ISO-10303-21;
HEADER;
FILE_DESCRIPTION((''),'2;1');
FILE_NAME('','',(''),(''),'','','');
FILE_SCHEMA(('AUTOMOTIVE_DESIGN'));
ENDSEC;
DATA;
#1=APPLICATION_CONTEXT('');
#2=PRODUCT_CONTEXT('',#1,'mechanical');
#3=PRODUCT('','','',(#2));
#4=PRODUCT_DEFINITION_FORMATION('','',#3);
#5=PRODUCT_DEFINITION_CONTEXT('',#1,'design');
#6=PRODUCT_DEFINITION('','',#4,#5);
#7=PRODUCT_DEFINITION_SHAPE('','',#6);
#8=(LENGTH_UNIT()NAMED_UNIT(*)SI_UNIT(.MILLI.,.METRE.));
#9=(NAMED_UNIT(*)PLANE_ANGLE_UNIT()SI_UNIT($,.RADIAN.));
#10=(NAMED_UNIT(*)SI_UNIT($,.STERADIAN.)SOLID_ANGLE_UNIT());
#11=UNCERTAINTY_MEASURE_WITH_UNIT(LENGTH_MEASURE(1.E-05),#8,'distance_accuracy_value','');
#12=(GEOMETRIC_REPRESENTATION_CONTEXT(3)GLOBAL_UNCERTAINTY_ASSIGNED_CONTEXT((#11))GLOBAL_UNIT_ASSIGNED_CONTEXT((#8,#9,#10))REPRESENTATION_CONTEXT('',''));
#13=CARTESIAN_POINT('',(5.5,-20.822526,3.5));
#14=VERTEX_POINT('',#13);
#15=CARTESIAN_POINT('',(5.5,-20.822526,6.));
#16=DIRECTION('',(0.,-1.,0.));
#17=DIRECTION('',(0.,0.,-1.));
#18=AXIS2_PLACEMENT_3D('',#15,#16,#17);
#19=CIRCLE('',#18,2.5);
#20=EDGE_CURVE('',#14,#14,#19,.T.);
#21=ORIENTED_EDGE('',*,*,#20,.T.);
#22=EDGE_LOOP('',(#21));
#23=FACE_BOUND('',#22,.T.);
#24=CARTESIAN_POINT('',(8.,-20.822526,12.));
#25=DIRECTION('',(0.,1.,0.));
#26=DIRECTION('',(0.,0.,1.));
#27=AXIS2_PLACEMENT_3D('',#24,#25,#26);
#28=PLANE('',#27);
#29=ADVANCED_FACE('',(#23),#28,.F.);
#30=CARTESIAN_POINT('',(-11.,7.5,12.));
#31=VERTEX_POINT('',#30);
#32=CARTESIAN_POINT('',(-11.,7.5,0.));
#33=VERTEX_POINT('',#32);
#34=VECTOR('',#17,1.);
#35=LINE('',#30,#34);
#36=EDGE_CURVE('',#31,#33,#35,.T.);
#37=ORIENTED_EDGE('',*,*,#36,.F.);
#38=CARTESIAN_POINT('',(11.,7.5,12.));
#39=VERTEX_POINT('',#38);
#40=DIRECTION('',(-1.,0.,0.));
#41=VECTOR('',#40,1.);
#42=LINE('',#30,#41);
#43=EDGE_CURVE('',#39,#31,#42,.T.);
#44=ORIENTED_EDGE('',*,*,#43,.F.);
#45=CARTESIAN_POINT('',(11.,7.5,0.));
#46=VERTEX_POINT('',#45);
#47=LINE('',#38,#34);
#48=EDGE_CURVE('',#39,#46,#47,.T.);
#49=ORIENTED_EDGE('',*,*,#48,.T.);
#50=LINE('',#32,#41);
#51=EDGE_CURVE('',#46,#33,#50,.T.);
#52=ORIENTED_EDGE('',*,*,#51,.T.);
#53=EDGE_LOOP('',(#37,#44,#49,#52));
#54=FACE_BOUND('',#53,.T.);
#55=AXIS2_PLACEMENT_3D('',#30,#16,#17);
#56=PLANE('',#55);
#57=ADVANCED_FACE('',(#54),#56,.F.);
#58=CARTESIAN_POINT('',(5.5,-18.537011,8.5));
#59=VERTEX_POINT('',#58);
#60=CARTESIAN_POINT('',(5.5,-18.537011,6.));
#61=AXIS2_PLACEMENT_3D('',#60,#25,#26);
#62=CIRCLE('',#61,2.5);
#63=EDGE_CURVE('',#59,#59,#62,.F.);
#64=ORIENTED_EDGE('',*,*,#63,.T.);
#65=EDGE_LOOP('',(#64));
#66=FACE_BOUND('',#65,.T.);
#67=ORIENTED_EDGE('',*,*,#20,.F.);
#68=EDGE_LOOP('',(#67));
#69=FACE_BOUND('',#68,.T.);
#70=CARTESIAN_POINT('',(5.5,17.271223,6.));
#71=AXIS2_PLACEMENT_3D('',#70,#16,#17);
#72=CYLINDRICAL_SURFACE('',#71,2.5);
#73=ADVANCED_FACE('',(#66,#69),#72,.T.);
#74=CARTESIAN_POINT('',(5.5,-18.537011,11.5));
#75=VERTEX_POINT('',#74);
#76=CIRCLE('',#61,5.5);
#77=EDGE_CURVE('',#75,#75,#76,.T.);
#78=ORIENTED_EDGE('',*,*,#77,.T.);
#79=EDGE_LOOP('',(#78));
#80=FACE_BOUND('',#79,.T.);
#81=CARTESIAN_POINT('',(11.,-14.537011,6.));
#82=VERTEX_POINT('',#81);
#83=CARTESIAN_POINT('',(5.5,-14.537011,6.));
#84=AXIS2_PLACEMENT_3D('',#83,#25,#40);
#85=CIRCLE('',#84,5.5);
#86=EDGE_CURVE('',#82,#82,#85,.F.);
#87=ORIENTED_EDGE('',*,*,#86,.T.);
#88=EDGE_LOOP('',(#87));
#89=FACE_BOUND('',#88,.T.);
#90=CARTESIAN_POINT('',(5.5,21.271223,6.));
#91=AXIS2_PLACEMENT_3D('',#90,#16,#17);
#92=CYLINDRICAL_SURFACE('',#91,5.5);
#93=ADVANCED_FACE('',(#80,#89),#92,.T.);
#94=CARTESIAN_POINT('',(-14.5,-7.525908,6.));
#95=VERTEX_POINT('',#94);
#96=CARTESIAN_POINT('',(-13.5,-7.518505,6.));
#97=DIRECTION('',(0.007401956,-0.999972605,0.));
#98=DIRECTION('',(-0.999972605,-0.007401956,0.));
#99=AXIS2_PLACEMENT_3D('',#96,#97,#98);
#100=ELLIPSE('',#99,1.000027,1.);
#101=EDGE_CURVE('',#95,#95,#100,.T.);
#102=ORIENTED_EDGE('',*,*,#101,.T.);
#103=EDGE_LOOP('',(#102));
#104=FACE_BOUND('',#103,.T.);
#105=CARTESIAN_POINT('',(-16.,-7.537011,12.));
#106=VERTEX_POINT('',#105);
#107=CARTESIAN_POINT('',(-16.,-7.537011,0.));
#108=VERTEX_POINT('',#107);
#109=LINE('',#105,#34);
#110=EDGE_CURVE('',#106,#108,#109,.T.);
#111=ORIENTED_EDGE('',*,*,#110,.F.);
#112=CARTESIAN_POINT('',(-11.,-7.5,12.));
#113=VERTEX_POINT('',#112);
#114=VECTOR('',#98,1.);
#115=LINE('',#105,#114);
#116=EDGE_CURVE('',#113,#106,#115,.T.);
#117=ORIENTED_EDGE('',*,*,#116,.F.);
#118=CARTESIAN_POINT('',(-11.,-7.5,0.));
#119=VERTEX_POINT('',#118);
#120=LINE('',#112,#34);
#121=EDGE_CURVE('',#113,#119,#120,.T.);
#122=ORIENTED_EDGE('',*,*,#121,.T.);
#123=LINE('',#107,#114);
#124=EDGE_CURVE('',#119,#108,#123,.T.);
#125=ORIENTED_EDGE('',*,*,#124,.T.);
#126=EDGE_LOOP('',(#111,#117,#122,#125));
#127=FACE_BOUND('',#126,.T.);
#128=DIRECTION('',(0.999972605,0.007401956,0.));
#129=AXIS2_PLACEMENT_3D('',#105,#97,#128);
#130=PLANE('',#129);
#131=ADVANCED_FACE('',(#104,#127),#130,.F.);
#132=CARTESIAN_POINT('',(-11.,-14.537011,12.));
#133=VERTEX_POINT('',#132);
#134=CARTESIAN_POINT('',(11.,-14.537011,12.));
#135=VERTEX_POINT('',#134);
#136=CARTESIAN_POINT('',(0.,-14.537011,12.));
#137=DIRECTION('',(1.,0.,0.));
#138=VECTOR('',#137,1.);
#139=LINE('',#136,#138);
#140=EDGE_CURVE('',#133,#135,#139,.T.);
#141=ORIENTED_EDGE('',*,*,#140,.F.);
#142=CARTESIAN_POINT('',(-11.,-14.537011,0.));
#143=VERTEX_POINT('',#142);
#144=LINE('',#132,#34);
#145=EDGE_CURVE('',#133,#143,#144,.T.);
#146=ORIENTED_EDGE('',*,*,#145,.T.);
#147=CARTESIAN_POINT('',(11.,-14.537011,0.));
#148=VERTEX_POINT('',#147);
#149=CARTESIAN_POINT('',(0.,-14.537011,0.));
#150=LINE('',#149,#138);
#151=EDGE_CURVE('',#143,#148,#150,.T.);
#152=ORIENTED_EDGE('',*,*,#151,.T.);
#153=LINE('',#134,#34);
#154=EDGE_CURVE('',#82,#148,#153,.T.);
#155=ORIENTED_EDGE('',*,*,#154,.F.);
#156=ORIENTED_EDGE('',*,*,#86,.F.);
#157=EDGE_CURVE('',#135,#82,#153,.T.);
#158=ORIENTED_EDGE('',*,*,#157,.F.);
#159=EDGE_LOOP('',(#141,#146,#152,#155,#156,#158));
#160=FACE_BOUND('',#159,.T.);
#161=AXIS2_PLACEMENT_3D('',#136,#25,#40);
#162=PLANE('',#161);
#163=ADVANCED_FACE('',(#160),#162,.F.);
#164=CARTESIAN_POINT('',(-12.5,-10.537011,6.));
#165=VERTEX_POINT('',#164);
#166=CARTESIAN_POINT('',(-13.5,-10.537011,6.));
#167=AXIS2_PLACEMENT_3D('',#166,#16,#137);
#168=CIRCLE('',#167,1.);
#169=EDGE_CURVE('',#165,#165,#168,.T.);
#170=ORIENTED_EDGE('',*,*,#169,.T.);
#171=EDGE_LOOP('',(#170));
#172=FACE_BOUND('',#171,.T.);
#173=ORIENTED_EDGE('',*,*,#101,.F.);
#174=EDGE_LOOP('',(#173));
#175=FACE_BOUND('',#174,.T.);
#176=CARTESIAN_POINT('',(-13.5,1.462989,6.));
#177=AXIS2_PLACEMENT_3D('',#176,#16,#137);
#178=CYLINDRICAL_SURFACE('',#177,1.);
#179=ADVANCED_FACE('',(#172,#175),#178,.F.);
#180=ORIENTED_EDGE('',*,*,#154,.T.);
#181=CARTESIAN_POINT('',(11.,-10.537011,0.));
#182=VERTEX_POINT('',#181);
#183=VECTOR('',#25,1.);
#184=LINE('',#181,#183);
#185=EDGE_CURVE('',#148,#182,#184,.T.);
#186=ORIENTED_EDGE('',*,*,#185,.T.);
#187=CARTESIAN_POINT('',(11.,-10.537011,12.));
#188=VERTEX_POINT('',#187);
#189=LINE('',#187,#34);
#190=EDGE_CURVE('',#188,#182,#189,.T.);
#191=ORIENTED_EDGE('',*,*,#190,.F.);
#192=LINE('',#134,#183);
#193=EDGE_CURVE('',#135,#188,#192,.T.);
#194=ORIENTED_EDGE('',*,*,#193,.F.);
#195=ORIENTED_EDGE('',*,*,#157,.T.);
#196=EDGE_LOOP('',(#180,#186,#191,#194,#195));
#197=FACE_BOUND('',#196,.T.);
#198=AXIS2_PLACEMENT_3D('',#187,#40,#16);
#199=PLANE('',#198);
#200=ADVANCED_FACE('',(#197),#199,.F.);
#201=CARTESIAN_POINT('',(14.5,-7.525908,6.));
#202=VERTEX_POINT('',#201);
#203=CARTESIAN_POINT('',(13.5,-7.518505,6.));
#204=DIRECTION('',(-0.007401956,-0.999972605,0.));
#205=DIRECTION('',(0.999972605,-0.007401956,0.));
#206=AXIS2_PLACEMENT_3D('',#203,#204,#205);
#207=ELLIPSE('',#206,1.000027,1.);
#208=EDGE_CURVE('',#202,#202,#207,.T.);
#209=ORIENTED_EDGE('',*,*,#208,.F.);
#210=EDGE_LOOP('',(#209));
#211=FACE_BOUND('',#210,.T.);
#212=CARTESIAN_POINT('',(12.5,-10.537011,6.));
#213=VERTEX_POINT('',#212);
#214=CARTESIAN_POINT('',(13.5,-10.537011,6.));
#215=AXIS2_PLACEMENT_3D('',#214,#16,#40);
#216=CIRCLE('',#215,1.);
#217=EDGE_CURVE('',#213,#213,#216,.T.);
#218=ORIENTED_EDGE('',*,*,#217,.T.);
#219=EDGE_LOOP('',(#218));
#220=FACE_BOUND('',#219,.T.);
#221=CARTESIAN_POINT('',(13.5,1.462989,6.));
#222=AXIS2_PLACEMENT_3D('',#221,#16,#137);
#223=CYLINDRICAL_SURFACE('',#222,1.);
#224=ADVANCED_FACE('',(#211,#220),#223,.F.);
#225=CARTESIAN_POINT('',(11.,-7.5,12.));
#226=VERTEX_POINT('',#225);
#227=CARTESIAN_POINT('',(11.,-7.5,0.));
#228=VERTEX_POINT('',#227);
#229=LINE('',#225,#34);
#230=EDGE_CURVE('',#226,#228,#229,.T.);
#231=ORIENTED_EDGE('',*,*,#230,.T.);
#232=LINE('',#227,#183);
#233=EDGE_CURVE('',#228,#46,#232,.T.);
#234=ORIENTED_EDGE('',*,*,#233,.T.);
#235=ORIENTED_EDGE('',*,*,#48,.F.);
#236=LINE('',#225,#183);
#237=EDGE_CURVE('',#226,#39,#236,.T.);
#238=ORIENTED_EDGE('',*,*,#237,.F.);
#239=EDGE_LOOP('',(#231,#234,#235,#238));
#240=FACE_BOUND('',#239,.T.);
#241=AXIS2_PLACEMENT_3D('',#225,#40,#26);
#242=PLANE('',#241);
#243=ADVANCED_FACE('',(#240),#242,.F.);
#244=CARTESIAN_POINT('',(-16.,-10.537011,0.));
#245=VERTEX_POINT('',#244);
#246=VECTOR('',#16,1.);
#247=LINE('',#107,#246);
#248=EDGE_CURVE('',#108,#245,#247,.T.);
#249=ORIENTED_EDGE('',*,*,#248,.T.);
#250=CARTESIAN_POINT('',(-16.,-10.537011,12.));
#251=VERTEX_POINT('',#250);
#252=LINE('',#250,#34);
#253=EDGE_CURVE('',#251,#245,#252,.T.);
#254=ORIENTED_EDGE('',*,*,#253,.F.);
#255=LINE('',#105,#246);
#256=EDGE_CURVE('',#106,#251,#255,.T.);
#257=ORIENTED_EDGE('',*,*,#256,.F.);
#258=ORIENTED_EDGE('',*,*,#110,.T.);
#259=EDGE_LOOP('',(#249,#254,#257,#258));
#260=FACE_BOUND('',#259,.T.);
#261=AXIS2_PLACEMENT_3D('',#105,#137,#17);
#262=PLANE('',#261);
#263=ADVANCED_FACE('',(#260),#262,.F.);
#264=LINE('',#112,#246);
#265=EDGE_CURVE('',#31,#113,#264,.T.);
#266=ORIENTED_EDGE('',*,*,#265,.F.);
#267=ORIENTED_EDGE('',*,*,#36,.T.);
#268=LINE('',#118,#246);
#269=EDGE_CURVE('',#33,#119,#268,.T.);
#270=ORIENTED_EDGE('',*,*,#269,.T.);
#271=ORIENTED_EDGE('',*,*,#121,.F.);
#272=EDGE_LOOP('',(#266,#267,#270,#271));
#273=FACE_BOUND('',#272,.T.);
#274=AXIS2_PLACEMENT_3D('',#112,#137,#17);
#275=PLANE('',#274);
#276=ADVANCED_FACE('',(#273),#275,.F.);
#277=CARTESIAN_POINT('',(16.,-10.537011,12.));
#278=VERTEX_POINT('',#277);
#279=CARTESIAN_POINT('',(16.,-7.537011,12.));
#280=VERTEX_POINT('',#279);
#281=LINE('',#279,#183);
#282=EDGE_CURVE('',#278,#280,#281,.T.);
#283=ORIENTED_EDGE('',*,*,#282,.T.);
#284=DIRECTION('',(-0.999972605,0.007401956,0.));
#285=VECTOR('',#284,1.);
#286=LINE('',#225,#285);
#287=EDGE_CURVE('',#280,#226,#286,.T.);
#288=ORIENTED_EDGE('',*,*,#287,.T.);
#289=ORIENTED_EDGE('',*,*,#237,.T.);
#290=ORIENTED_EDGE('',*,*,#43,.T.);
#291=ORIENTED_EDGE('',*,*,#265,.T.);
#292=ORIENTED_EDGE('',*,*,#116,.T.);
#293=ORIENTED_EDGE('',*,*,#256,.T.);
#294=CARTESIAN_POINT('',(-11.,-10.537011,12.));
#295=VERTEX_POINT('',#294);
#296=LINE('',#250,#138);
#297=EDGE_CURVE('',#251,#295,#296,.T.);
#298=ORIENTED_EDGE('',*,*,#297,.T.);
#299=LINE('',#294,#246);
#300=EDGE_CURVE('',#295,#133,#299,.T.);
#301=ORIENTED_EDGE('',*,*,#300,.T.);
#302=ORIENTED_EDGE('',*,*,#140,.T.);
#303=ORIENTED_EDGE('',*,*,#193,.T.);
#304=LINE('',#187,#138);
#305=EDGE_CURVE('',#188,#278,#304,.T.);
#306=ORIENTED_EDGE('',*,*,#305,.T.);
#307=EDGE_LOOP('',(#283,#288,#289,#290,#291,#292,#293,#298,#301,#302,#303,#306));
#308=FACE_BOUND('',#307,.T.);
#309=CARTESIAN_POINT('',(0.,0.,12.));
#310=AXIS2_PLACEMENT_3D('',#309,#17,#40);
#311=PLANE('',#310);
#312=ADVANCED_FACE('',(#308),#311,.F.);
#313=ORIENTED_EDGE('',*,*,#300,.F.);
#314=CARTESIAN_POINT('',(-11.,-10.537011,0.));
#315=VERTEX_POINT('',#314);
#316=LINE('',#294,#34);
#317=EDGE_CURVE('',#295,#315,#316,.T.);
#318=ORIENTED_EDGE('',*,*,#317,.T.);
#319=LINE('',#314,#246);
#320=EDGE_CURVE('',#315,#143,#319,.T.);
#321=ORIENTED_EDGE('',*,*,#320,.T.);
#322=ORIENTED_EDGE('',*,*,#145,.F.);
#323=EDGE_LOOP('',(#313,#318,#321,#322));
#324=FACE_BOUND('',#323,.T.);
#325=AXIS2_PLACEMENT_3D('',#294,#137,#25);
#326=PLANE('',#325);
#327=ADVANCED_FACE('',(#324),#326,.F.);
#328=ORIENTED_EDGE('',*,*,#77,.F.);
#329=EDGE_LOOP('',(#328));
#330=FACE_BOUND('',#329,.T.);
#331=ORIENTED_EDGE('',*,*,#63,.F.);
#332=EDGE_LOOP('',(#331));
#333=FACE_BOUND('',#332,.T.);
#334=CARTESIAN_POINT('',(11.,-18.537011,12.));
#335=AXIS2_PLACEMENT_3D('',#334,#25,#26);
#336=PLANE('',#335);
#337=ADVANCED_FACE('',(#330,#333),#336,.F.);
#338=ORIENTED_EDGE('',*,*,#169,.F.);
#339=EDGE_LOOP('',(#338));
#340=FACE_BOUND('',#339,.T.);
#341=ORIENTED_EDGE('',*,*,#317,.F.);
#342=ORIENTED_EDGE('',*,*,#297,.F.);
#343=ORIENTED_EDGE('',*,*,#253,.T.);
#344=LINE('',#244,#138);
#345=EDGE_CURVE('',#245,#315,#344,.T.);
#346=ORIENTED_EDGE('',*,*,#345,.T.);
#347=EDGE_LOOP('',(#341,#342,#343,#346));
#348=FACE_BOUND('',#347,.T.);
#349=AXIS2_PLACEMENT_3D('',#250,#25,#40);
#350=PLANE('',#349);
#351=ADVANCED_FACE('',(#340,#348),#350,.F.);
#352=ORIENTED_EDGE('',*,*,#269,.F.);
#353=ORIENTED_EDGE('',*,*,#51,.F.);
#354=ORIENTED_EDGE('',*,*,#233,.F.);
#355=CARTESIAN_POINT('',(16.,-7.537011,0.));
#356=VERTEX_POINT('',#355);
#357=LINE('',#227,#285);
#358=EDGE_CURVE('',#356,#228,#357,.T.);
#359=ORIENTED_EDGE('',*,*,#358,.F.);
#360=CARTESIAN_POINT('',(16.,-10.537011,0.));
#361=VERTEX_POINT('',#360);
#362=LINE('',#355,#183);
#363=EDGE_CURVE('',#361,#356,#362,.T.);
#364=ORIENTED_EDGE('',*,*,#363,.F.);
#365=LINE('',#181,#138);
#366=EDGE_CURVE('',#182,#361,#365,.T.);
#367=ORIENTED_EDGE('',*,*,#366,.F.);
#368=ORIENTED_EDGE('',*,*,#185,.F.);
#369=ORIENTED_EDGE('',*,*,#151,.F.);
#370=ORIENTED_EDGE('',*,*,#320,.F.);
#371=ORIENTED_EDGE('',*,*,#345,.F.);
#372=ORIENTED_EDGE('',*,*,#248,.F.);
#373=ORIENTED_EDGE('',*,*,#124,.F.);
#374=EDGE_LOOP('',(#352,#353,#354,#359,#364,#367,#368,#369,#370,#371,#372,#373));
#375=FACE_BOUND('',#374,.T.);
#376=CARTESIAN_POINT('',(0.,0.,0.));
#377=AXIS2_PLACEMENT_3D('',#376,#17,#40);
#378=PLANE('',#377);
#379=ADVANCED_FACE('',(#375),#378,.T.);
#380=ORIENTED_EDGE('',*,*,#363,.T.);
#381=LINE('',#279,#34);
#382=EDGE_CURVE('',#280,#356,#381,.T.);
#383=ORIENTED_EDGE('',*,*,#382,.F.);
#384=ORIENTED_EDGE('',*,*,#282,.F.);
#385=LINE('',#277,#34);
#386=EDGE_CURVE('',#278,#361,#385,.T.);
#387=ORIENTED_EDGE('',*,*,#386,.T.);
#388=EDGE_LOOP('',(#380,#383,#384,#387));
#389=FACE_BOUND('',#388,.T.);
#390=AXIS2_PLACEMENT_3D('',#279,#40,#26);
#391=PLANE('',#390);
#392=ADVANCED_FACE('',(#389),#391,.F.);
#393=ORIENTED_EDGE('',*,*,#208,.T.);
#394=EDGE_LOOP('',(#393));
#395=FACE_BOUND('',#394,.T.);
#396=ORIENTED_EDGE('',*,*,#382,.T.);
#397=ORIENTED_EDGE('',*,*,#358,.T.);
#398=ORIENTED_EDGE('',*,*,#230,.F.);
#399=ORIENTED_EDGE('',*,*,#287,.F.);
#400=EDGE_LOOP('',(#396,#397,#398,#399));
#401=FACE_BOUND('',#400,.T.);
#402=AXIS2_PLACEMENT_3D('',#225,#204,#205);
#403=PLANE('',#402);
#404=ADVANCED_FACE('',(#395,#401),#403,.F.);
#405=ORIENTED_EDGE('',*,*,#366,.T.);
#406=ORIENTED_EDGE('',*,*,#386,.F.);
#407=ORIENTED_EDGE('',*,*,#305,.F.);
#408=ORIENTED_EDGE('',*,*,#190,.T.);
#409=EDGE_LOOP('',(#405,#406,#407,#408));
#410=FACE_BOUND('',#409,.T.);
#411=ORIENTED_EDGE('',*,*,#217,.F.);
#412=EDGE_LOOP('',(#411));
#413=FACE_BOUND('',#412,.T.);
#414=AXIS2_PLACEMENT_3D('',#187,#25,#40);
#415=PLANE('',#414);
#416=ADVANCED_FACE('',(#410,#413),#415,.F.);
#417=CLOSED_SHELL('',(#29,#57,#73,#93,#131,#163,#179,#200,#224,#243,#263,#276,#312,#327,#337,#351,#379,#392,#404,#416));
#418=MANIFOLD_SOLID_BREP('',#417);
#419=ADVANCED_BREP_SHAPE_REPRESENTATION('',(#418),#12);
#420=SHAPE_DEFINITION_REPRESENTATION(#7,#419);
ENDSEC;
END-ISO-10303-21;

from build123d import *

# Parameters (mm, degrees)
SALIENTE_EXTRUIR1_DEPTH = 12
CROQUIS2_OUTSIDE_W      = 42.878
CROQUIS2_OUTSIDE_H      = 22.878
CROQUIS2_OUTSIDE_R      = 5.5
CORTAR_EXTRUIR1_DEPTH   = 6.285514833
CROQUIS3_OUTSIDE_W      = 42.878
CROQUIS3_OUTSIDE_H      = 22.878
CROQUIS3_OUTSIDE_R      = 2.5
CORTAR_EXTRUIR2_DEPTH   = 2.285514833
CROQUIS4_R              = 1
CORTAR_EXTRUIR3_DEPTH   = 12


with BuildPart() as part:
    # Croquis1 → Saliente-Extruir1 (new body)
    with BuildSketch(Plane.XY):
        Polygon((-16, -7.537010796), (-11, -7.5), (-11, 7.5), (11, 7.5), (11, -7.5), (16, -7.537010796), (16, -10.537010796), (11, -10.537010796), (11, -14.537010796), (11, -18.537010796), (8, -18.537010796), (8, -20.822525629), (3, -20.822525629), (3, -18.537010796), (0, -18.537010796), (0, -14.537010796), (-11, -14.537010796), (-11, -10.537010796), (-16, -10.537010796), align=None)
    extrude(amount=SALIENTE_EXTRUIR1_DEPTH)

    # Croquis2 outside → Cortar-Extruir1 (cut)
    with BuildSketch(Plane.XZ.offset(20.822525629)):
        with Locations((0, 6)):
            Rectangle(CROQUIS2_OUTSIDE_W, CROQUIS2_OUTSIDE_H)
        with Locations(Location((5.5, 6, 0), (0, 0, 297.035691789))):
            Circle(CROQUIS2_OUTSIDE_R, mode=Mode.SUBTRACT)
    extrude(amount=-CORTAR_EXTRUIR1_DEPTH, mode=Mode.SUBTRACT)

    # Croquis3 outside → Cortar-Extruir2 (cut)
    with BuildSketch(Plane.XZ.offset(20.822525629)):
        with Locations((0, 6)):
            Rectangle(CROQUIS3_OUTSIDE_W, CROQUIS3_OUTSIDE_H)
        with Locations(Location((5.5, 6, 0), (0, 0, 270))):
            Circle(CROQUIS3_OUTSIDE_R, mode=Mode.SUBTRACT)
    extrude(amount=-CORTAR_EXTRUIR2_DEPTH, mode=Mode.SUBTRACT)

    # Croquis4 → Cortar-Extruir3 (cut)
    with BuildSketch(Plane.XZ.offset(10.537010796)):
        with Locations((-13.5, 6)):
            Circle(CROQUIS4_R)
        with Locations((13.5, 6)):
            Circle(CROQUIS4_R)
    extrude(amount=-CORTAR_EXTRUIR3_DEPTH, mode=Mode.SUBTRACT)


solid = part.part
